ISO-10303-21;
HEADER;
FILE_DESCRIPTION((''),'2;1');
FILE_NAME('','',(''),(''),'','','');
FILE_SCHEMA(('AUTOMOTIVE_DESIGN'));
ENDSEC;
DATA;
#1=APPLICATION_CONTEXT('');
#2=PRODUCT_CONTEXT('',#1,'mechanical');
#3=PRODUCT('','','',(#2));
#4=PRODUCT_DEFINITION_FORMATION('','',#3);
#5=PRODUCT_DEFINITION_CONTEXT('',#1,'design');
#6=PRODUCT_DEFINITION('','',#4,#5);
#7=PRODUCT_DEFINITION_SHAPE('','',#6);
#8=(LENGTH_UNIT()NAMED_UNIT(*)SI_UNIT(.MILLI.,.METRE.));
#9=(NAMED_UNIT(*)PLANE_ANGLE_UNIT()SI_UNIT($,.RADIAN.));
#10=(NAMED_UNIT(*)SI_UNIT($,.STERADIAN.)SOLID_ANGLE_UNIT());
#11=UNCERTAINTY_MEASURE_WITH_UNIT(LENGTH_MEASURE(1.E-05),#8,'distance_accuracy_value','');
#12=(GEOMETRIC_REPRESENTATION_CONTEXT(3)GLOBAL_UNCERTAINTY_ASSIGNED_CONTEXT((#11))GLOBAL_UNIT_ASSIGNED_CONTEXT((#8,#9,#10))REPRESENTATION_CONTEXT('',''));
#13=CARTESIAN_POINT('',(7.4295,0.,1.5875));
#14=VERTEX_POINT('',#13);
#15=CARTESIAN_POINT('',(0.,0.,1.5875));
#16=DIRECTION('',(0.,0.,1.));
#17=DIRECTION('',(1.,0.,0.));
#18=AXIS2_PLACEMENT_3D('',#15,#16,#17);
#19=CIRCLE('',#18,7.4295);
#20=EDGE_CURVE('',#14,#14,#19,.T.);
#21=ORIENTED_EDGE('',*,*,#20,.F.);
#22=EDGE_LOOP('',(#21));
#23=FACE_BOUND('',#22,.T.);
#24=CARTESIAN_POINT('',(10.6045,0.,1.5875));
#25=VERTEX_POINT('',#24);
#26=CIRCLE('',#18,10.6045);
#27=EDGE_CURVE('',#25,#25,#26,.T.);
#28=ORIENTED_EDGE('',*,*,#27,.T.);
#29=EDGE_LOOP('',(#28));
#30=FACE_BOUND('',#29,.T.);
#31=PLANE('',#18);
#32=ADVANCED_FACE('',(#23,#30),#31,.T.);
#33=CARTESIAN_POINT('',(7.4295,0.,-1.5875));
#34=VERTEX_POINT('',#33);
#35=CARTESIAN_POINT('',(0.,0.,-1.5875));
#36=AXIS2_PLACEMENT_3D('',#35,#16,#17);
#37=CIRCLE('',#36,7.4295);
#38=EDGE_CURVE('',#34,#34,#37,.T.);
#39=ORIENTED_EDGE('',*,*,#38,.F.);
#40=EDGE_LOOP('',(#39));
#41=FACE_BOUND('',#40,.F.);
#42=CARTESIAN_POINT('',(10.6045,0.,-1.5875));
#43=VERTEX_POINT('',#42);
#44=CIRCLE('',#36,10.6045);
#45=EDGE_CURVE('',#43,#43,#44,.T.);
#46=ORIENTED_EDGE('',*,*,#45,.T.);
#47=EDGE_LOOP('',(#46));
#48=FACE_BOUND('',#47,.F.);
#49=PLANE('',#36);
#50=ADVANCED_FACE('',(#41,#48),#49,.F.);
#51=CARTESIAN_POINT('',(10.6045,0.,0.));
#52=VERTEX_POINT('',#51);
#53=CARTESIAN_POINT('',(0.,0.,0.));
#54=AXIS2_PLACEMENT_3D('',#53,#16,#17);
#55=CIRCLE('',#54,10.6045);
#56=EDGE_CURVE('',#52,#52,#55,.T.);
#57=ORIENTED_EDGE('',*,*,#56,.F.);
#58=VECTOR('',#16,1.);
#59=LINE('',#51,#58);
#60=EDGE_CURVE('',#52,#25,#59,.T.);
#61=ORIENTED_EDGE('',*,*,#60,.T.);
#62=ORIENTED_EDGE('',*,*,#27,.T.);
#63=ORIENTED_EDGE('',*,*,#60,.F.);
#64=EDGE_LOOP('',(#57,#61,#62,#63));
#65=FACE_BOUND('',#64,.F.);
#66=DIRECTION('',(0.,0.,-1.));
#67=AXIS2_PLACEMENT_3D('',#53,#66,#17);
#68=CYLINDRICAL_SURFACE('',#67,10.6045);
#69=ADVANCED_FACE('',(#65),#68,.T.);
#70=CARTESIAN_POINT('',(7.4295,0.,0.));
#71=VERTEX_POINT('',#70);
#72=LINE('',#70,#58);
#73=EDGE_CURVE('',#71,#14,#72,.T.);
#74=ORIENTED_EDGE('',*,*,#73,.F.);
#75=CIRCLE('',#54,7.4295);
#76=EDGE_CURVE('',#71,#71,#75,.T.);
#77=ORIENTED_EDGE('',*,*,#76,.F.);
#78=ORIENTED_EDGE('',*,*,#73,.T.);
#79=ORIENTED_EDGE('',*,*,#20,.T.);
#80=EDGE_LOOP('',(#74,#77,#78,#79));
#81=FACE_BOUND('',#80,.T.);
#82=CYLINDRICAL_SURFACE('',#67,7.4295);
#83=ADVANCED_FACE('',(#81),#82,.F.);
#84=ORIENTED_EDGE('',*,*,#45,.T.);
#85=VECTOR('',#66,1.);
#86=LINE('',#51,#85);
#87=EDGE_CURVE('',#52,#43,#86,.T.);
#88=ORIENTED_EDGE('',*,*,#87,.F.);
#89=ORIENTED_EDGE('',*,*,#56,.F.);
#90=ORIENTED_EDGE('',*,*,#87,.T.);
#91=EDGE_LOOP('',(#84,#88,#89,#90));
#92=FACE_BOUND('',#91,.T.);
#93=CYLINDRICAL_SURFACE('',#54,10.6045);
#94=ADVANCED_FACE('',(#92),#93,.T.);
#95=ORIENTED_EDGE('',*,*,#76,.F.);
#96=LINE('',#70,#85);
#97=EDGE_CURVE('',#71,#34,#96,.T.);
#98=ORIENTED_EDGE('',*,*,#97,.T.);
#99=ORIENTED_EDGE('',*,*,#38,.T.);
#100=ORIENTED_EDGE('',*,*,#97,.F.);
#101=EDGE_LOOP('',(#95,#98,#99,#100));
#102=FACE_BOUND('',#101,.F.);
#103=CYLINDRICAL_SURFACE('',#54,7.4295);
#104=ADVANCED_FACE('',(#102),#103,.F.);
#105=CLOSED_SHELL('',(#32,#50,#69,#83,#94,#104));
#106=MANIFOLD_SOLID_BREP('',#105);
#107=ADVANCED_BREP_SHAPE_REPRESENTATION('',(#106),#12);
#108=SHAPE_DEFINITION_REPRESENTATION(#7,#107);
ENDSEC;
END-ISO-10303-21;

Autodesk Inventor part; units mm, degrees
ref_plane "YZ Plane" through (0, 0, 0) normal (1, 0, 0) x (0, 1, 0)
ref_plane "XZ Plane" through (0, 0, 0) normal (0, 1, 0) x (-1, 0, 0)
ref_plane "XY Plane" through (0, 0, 0) normal (0, 0, 1) x (1, 0, 0)
sketch "Sketch1" plane through (0, 0, 0) normal (0, 0, 1) x (1, 0, 0)
  circle A0 centre (0, 0) radius 7.4295
  circle A1 centre (0, 0) radius 10.6045
  dimension "d0" = 14.859
  dimension "d1" = 3.175
extrude "Extrusion1" add sketch "Sketch1" along normal mid plane 3.175
properties part number "GP5-014" material "ABS Plastic"
